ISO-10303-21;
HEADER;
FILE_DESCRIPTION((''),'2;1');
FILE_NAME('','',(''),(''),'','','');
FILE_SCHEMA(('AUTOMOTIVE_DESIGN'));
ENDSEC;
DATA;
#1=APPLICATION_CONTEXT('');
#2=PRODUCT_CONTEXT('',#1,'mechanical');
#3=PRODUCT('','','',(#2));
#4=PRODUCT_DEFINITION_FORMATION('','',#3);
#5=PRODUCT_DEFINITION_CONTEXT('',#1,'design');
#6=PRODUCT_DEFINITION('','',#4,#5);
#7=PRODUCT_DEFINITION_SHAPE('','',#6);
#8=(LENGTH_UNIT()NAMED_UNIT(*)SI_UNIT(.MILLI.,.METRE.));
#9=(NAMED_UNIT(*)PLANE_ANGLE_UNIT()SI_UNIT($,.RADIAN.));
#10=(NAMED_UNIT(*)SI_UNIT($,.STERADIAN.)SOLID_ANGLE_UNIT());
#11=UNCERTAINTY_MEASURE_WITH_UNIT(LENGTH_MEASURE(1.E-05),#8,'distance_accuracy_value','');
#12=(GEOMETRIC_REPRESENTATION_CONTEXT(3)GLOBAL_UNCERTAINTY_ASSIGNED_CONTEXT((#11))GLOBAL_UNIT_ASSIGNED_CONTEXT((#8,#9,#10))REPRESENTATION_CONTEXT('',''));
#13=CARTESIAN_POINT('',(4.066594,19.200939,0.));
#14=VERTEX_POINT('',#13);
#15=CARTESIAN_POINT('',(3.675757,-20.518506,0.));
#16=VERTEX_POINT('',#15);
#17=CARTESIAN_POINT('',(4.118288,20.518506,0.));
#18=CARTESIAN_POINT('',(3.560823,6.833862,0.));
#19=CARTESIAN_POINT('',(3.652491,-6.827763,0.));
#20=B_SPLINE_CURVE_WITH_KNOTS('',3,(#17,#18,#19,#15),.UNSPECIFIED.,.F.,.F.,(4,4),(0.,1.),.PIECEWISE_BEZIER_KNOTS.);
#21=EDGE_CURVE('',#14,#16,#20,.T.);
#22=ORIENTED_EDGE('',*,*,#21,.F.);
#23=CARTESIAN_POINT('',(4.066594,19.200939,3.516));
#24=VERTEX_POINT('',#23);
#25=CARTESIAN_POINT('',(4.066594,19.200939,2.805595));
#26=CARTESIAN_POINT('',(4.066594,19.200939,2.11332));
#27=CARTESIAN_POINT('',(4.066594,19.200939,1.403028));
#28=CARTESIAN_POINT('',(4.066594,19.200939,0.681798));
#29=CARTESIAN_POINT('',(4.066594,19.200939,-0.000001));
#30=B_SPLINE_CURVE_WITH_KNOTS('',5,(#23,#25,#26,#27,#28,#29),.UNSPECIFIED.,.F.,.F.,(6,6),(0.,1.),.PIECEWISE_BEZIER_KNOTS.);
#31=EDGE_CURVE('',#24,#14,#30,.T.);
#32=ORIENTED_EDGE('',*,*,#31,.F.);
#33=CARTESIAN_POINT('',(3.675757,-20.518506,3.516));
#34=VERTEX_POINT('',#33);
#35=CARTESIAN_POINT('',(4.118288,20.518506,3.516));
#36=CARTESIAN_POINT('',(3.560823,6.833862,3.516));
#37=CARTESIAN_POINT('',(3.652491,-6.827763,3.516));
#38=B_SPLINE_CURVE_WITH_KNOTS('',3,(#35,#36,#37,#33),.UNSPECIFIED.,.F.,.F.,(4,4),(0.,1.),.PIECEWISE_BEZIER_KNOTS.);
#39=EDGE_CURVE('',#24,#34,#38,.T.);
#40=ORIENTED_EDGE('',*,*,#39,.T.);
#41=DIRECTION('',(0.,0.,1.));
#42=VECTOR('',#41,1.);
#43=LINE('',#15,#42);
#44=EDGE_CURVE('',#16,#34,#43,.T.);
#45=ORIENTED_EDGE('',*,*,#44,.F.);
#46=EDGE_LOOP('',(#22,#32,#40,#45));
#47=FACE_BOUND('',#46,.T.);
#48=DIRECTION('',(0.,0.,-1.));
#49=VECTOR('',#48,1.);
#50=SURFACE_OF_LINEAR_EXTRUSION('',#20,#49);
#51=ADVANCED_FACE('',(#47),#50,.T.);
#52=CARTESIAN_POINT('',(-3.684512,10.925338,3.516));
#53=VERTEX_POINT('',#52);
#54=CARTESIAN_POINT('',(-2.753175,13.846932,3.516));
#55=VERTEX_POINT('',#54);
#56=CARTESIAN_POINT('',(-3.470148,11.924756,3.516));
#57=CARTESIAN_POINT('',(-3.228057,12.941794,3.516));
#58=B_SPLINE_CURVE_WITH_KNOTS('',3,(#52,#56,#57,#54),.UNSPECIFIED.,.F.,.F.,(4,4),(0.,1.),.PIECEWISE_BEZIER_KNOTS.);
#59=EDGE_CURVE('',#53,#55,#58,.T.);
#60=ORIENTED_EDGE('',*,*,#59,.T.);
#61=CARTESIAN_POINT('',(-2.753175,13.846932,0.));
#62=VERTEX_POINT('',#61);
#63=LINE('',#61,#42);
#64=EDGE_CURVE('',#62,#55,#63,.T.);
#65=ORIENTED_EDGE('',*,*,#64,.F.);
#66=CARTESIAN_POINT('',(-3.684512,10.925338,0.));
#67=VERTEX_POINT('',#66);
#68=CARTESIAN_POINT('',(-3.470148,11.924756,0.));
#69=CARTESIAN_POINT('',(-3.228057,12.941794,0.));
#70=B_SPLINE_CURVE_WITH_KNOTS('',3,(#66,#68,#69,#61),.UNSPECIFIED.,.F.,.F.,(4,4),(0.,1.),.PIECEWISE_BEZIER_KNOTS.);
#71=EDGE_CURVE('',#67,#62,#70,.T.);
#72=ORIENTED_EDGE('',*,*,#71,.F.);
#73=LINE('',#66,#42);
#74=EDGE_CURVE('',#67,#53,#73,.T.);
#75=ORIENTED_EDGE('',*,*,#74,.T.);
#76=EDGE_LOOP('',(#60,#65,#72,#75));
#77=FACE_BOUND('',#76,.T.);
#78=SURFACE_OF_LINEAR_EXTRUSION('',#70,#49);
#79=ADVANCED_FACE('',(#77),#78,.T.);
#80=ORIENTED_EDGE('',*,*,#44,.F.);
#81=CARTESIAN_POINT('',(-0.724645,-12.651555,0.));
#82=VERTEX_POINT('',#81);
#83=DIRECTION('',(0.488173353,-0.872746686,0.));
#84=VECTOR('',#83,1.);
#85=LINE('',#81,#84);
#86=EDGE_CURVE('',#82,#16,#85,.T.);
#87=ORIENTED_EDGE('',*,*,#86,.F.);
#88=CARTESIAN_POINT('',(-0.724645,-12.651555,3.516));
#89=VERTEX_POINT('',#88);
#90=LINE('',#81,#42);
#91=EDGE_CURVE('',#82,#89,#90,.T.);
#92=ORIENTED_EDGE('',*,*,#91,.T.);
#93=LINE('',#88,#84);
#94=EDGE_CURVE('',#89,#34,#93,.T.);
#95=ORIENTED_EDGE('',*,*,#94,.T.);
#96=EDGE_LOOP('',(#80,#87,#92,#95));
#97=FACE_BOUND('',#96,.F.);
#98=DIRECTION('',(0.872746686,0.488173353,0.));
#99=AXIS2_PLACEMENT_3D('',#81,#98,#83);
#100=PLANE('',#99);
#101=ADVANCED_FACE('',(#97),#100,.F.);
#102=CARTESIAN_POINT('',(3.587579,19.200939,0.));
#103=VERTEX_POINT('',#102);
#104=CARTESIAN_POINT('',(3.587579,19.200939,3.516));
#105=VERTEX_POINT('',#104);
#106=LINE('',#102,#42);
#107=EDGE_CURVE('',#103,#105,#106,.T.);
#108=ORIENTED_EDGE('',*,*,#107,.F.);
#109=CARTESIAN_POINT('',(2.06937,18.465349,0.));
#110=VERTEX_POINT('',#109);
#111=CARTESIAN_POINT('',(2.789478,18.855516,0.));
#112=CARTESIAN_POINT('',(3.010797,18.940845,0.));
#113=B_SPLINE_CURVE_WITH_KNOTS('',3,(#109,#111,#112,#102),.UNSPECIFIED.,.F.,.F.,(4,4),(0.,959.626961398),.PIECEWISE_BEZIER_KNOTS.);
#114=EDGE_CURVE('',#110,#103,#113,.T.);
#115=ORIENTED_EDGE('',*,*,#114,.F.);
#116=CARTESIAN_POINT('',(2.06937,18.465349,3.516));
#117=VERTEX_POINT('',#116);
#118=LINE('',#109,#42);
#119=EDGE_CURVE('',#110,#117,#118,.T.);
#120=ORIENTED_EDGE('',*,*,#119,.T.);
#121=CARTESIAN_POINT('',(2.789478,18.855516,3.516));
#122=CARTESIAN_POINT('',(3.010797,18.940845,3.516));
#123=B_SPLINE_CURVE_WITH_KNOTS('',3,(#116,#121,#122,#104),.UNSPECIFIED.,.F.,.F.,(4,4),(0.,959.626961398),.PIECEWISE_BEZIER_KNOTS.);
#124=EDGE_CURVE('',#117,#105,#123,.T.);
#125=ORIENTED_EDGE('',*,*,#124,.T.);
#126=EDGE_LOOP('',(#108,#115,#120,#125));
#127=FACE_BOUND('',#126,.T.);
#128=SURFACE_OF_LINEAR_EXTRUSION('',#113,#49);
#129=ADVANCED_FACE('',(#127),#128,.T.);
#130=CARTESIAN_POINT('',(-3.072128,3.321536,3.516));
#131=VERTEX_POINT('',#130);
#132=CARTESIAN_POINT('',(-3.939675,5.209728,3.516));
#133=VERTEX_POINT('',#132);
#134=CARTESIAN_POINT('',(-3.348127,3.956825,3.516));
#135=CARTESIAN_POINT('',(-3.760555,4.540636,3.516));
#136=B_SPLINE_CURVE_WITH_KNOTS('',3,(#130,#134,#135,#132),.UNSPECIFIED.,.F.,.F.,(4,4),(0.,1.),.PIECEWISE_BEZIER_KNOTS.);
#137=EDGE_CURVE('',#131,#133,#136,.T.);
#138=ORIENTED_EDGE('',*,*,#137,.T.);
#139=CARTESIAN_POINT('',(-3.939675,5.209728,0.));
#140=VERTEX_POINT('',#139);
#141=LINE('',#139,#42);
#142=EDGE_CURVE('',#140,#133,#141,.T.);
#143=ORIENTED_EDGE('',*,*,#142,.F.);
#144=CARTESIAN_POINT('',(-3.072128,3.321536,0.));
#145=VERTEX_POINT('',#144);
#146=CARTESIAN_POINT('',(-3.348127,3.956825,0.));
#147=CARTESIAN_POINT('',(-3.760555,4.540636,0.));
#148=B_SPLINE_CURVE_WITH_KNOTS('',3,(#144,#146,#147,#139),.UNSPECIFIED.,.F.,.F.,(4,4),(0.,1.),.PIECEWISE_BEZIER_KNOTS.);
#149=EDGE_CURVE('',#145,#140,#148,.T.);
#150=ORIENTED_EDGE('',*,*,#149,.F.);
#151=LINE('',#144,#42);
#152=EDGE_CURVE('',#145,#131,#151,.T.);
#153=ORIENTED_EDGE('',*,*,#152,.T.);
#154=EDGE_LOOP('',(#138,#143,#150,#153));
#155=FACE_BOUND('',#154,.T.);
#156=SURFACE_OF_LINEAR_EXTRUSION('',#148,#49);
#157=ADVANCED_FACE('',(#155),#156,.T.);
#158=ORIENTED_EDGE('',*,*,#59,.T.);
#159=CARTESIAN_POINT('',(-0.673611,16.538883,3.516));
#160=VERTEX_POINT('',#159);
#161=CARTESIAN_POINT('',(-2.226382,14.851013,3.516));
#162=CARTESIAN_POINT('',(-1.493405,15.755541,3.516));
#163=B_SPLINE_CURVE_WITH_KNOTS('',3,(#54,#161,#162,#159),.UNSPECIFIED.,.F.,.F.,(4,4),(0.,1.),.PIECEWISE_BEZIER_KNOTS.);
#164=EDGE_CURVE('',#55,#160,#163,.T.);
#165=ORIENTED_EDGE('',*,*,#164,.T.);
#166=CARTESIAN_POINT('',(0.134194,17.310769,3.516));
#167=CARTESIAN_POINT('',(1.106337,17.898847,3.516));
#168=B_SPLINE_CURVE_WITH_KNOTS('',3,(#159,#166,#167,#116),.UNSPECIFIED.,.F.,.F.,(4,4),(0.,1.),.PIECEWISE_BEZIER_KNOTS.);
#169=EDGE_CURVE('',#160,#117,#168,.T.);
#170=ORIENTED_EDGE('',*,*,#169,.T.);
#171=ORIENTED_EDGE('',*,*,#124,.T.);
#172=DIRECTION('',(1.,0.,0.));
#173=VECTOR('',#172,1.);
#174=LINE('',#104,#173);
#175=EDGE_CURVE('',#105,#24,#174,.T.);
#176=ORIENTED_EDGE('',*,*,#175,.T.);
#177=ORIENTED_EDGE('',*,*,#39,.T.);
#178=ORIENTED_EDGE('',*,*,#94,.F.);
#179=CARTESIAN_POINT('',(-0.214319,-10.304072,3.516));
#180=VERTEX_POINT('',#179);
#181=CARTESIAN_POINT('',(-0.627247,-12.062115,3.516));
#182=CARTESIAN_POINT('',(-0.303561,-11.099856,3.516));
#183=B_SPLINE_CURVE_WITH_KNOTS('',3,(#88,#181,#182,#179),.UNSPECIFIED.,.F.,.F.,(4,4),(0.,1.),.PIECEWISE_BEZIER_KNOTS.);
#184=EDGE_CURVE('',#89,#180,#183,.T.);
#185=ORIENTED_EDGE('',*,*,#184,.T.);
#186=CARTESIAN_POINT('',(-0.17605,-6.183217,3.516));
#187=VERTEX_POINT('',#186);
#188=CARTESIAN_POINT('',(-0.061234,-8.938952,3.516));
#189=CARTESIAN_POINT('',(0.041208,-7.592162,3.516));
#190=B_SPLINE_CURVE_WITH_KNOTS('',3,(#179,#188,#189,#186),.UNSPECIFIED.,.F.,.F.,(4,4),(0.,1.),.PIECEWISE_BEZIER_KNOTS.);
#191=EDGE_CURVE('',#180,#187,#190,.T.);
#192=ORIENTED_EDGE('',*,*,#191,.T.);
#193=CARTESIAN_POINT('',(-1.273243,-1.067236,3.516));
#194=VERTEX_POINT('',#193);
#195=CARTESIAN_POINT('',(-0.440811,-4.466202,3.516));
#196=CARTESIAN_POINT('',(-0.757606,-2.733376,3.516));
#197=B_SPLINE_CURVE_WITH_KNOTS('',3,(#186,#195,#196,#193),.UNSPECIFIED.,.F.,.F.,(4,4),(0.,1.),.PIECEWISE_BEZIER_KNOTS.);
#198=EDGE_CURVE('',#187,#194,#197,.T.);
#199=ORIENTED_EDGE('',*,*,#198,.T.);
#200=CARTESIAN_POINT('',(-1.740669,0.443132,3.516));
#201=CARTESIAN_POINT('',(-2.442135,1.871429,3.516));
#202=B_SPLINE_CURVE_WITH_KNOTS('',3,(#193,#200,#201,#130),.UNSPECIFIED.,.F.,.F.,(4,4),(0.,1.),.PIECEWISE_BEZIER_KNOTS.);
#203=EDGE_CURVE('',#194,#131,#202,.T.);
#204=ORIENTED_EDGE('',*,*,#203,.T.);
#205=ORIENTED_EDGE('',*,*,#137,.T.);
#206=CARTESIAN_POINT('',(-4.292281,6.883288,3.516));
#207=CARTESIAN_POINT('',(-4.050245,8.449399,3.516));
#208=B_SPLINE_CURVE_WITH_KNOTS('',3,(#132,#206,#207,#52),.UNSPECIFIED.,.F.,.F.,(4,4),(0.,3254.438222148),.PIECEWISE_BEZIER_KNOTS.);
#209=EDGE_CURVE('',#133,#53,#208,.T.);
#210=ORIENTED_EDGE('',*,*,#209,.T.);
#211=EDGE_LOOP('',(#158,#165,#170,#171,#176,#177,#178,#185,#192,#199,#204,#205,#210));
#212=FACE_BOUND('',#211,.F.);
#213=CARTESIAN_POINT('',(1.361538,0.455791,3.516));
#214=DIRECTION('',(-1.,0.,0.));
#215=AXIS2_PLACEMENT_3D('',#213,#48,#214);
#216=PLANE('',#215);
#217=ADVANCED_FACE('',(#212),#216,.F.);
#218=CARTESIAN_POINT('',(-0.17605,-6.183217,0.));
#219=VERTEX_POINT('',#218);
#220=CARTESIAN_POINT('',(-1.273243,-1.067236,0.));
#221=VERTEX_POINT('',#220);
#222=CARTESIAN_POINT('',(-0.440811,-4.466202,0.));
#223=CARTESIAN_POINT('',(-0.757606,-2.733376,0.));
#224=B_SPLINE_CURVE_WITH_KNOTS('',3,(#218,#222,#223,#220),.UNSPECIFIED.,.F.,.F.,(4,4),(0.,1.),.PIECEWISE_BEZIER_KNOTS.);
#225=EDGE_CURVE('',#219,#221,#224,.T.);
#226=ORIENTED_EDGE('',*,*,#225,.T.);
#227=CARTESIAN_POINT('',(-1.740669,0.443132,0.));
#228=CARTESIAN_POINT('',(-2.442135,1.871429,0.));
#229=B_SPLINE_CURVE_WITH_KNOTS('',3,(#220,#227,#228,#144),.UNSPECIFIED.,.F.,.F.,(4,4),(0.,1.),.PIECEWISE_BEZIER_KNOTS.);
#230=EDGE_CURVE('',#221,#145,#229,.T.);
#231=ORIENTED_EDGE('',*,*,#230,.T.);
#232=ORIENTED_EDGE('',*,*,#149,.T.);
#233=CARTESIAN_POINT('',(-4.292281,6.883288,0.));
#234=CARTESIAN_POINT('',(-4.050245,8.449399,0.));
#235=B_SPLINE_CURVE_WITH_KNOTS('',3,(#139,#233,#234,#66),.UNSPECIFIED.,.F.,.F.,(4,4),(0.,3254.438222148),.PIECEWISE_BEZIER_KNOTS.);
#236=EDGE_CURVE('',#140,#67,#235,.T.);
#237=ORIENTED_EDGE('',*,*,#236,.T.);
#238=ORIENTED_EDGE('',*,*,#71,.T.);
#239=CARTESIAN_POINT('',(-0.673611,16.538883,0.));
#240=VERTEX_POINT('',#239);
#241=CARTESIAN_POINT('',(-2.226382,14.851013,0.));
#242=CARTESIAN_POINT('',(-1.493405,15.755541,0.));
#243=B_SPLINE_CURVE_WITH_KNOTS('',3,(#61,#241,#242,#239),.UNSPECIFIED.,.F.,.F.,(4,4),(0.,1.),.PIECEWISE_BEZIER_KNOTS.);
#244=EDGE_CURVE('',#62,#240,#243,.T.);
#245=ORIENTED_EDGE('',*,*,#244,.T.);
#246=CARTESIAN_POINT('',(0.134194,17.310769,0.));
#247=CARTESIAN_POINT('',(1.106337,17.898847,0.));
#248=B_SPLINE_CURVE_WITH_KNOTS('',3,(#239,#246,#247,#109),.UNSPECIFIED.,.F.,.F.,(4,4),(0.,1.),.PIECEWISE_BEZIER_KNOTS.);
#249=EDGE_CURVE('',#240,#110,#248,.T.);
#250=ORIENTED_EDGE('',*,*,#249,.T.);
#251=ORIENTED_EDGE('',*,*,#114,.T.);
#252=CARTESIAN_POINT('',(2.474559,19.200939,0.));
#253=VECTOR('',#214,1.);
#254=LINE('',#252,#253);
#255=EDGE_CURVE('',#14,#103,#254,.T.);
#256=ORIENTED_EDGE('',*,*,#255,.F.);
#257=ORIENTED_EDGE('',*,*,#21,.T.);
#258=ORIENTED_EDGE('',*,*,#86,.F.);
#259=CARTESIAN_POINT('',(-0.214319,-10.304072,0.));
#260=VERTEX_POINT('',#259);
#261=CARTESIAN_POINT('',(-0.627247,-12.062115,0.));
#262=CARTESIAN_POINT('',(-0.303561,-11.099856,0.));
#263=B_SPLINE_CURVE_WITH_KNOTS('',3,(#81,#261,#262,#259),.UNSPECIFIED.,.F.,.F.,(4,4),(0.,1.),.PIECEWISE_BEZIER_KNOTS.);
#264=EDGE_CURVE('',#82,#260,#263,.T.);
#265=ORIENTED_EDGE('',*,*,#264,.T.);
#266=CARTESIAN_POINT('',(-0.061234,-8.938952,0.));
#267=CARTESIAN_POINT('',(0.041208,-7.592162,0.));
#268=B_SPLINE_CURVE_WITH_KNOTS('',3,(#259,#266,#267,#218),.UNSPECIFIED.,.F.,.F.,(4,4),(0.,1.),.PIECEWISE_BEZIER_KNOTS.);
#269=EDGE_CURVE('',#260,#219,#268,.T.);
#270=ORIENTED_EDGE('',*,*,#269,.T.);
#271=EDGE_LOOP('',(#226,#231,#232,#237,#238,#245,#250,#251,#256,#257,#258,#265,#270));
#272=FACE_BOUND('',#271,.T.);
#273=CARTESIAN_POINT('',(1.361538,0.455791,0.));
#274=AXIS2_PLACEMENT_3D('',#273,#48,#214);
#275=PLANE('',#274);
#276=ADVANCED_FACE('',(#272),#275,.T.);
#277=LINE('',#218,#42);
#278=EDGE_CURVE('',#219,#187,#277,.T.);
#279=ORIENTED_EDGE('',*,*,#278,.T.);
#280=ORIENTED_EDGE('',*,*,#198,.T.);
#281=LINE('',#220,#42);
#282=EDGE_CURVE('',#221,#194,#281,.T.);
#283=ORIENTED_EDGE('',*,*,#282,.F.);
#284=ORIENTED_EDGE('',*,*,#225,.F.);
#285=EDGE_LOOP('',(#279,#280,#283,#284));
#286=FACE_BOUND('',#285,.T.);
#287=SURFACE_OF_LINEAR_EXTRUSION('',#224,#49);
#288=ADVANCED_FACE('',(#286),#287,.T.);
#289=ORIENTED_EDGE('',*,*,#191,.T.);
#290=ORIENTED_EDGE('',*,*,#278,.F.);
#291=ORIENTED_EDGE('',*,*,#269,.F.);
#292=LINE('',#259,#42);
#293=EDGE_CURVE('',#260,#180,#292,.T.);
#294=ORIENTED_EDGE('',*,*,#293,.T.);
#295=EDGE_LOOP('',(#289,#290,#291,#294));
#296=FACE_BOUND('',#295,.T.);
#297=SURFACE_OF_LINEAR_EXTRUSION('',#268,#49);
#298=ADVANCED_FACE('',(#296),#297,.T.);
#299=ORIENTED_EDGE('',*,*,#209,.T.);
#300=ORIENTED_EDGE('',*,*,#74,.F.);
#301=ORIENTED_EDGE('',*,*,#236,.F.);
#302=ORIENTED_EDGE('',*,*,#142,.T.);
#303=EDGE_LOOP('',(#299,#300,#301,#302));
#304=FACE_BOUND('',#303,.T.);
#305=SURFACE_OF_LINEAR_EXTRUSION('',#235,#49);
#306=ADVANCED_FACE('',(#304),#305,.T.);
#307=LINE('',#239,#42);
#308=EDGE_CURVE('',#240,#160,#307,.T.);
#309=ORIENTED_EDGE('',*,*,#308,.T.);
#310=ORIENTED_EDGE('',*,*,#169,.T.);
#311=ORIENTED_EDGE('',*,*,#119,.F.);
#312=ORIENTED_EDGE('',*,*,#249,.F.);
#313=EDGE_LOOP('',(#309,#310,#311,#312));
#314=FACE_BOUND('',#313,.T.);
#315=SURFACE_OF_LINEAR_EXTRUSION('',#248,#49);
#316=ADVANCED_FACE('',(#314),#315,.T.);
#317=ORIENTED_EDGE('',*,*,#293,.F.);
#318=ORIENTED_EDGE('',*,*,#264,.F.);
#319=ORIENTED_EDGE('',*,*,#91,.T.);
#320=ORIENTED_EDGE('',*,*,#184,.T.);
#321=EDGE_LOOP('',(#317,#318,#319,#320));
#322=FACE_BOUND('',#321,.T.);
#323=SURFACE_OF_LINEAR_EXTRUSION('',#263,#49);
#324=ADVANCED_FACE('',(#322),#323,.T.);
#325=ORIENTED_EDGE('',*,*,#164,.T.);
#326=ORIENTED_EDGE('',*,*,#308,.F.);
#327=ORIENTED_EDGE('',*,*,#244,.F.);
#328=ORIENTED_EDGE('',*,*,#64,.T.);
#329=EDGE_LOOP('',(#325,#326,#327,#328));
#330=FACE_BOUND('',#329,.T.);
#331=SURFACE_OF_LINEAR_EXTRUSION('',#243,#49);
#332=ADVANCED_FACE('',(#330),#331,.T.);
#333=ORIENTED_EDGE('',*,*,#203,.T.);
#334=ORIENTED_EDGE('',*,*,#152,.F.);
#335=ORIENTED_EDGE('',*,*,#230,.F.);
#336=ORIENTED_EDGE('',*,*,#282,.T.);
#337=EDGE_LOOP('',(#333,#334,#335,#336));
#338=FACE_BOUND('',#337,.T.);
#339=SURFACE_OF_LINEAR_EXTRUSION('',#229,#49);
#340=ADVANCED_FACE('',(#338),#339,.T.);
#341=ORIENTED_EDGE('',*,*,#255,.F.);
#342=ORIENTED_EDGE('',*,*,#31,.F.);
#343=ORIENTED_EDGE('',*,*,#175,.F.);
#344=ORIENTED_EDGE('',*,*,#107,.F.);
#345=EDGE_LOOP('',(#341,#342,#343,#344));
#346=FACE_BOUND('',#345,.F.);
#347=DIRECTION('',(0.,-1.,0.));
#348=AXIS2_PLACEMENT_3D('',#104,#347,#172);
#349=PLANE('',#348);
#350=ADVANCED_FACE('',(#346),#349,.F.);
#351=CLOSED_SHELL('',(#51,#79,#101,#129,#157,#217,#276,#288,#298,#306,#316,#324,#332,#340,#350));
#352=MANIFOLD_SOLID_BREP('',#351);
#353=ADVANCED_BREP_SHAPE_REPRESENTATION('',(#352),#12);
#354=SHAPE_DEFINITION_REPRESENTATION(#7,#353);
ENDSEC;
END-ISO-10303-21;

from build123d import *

# Parameters (mm, degrees)
F1_DEPTH = 2000
F2_SCALE = 0.002
F3_SCALE = 0.879
F6_DEPTH = 25


with BuildPart() as f1:
    # F0 (on Top) → F1 (new body)
    with BuildSketch(Plane.XY):
        with BuildLine():
            add(Edge.make_bspline(
                [(-412.198312, -7196.5613752), (-356.795832, -6861.2712152), (-172.67428, -6313.9113752), (-121.910856, -5861.2467992)],
                knots=[0, 0, 0, 0, 1, 1, 1, 1], degree=3))
            Line((-412.198312, -7196.5613752), (2090.874152, -11671.5049272))
            add(Edge.make_bspline(
                [(2342.598312, 11671.5049272), (2025.496584, 3887.293724), (2077.639736, -3883.8242872), (2090.874152, -11671.5049272)],
                knots=[0, 0, 0, 0, 1, 1, 1, 1], degree=3))
            Line((2342.598312, 11671.5049272), (2040.716264, 10922.0358648))
            add(Edge.make_bspline(
                [(1177.116264, 10503.6115048), (1586.7336988449, 10725.549697876), (1712.6262187958, 10774.0869522095), (2040.716264, 10922.0358648)],
                knots=[0, 0, 0, 0, 959.6269613977, 959.6269613977, 959.6269613977, 959.6269613977], degree=3))
            add(Edge.make_bspline(
                [(-383.16916, 9407.7831656), (76.333096, 9846.8536616), (629.31548, 10181.3694264), (1177.116264, 10503.6115048)],
                knots=[0, 0, 0, 0, 1, 1, 1, 1], degree=3))
            add(Edge.make_bspline(
                [(-1566.083736, 7876.5258776), (-1266.42876, 8447.6749512), (-849.490808, 8962.1962488), (-383.16916, 9407.7831656)],
                knots=[0, 0, 0, 0, 1, 1, 1, 1], degree=3))
            add(Edge.make_bspline(
                [(-2095.854584, 6214.6402504), (-1973.918328, 6783.1377672), (-1836.209688, 7361.6573112), (-1566.083736, 7876.5258776)],
                knots=[0, 0, 0, 0, 1, 1, 1, 1], degree=3))
            add(Edge.make_bspline(
                [(-2240.998312, 2963.4402504), (-2441.5702819824, 3915.4086112976), (-2303.8938045502, 4806.2567710876), (-2095.854584, 6214.6402504)],
                knots=[0, 0, 0, 0, 3254.438222148, 3254.438222148, 3254.438222148, 3254.438222148], degree=3))
            add(Edge.make_bspline(
                [(-1747.512888, 1889.3831656), (-1904.509272, 2250.753436), (-2139.109768, 2582.8419768), (-2240.998312, 2963.4402504)],
                knots=[0, 0, 0, 0, 1, 1, 1, 1], degree=3))
            add(Edge.make_bspline(
                [(-724.256616, -607.0741224), (-990.141784, 252.0658408), (-1389.155464, 1064.5218232), (-1747.512888, 1889.3831656)],
                knots=[0, 0, 0, 0, 1, 1, 1, 1], degree=3))
            add(Edge.make_bspline(
                [(-100.14204, -3517.1884952), (-250.745752, -2540.5018024), (-430.947576, -1554.8212744), (-724.256616, -607.0741224)],
                knots=[0, 0, 0, 0, 1, 1, 1, 1], degree=3))
            add(Edge.make_bspline(
                [(-121.910856, -5861.2467992), (-34.831528, -5084.7281592), (23.440136, -4318.6357112), (-100.14204, -3517.1884952)],
                knots=[0, 0, 0, 0, 1, 1, 1, 1], degree=3))
        make_face()
    extrude(amount=F1_DEPTH)


with BuildPart() as f1_1:
    # F2: moved
    add(f1.part.scale(F2_SCALE))


with BuildPart() as f1_2:
    # F3: moved
    add(f1_1.part.scale(F3_SCALE))

    # F5 (on face) → F6 (cut)
    with BuildSketch(Plane.XY.offset(3.516)):
        Polygon((3.5493720789, 20.6044446677), (3.5875791921, 19.2009390503), (4.4617429376, 19.2009390503), (4.5047998428, 20.6810384989), align=None)
    extrude(amount=-F6_DEPTH, mode=Mode.SUBTRACT)


solid = f1_2.part
